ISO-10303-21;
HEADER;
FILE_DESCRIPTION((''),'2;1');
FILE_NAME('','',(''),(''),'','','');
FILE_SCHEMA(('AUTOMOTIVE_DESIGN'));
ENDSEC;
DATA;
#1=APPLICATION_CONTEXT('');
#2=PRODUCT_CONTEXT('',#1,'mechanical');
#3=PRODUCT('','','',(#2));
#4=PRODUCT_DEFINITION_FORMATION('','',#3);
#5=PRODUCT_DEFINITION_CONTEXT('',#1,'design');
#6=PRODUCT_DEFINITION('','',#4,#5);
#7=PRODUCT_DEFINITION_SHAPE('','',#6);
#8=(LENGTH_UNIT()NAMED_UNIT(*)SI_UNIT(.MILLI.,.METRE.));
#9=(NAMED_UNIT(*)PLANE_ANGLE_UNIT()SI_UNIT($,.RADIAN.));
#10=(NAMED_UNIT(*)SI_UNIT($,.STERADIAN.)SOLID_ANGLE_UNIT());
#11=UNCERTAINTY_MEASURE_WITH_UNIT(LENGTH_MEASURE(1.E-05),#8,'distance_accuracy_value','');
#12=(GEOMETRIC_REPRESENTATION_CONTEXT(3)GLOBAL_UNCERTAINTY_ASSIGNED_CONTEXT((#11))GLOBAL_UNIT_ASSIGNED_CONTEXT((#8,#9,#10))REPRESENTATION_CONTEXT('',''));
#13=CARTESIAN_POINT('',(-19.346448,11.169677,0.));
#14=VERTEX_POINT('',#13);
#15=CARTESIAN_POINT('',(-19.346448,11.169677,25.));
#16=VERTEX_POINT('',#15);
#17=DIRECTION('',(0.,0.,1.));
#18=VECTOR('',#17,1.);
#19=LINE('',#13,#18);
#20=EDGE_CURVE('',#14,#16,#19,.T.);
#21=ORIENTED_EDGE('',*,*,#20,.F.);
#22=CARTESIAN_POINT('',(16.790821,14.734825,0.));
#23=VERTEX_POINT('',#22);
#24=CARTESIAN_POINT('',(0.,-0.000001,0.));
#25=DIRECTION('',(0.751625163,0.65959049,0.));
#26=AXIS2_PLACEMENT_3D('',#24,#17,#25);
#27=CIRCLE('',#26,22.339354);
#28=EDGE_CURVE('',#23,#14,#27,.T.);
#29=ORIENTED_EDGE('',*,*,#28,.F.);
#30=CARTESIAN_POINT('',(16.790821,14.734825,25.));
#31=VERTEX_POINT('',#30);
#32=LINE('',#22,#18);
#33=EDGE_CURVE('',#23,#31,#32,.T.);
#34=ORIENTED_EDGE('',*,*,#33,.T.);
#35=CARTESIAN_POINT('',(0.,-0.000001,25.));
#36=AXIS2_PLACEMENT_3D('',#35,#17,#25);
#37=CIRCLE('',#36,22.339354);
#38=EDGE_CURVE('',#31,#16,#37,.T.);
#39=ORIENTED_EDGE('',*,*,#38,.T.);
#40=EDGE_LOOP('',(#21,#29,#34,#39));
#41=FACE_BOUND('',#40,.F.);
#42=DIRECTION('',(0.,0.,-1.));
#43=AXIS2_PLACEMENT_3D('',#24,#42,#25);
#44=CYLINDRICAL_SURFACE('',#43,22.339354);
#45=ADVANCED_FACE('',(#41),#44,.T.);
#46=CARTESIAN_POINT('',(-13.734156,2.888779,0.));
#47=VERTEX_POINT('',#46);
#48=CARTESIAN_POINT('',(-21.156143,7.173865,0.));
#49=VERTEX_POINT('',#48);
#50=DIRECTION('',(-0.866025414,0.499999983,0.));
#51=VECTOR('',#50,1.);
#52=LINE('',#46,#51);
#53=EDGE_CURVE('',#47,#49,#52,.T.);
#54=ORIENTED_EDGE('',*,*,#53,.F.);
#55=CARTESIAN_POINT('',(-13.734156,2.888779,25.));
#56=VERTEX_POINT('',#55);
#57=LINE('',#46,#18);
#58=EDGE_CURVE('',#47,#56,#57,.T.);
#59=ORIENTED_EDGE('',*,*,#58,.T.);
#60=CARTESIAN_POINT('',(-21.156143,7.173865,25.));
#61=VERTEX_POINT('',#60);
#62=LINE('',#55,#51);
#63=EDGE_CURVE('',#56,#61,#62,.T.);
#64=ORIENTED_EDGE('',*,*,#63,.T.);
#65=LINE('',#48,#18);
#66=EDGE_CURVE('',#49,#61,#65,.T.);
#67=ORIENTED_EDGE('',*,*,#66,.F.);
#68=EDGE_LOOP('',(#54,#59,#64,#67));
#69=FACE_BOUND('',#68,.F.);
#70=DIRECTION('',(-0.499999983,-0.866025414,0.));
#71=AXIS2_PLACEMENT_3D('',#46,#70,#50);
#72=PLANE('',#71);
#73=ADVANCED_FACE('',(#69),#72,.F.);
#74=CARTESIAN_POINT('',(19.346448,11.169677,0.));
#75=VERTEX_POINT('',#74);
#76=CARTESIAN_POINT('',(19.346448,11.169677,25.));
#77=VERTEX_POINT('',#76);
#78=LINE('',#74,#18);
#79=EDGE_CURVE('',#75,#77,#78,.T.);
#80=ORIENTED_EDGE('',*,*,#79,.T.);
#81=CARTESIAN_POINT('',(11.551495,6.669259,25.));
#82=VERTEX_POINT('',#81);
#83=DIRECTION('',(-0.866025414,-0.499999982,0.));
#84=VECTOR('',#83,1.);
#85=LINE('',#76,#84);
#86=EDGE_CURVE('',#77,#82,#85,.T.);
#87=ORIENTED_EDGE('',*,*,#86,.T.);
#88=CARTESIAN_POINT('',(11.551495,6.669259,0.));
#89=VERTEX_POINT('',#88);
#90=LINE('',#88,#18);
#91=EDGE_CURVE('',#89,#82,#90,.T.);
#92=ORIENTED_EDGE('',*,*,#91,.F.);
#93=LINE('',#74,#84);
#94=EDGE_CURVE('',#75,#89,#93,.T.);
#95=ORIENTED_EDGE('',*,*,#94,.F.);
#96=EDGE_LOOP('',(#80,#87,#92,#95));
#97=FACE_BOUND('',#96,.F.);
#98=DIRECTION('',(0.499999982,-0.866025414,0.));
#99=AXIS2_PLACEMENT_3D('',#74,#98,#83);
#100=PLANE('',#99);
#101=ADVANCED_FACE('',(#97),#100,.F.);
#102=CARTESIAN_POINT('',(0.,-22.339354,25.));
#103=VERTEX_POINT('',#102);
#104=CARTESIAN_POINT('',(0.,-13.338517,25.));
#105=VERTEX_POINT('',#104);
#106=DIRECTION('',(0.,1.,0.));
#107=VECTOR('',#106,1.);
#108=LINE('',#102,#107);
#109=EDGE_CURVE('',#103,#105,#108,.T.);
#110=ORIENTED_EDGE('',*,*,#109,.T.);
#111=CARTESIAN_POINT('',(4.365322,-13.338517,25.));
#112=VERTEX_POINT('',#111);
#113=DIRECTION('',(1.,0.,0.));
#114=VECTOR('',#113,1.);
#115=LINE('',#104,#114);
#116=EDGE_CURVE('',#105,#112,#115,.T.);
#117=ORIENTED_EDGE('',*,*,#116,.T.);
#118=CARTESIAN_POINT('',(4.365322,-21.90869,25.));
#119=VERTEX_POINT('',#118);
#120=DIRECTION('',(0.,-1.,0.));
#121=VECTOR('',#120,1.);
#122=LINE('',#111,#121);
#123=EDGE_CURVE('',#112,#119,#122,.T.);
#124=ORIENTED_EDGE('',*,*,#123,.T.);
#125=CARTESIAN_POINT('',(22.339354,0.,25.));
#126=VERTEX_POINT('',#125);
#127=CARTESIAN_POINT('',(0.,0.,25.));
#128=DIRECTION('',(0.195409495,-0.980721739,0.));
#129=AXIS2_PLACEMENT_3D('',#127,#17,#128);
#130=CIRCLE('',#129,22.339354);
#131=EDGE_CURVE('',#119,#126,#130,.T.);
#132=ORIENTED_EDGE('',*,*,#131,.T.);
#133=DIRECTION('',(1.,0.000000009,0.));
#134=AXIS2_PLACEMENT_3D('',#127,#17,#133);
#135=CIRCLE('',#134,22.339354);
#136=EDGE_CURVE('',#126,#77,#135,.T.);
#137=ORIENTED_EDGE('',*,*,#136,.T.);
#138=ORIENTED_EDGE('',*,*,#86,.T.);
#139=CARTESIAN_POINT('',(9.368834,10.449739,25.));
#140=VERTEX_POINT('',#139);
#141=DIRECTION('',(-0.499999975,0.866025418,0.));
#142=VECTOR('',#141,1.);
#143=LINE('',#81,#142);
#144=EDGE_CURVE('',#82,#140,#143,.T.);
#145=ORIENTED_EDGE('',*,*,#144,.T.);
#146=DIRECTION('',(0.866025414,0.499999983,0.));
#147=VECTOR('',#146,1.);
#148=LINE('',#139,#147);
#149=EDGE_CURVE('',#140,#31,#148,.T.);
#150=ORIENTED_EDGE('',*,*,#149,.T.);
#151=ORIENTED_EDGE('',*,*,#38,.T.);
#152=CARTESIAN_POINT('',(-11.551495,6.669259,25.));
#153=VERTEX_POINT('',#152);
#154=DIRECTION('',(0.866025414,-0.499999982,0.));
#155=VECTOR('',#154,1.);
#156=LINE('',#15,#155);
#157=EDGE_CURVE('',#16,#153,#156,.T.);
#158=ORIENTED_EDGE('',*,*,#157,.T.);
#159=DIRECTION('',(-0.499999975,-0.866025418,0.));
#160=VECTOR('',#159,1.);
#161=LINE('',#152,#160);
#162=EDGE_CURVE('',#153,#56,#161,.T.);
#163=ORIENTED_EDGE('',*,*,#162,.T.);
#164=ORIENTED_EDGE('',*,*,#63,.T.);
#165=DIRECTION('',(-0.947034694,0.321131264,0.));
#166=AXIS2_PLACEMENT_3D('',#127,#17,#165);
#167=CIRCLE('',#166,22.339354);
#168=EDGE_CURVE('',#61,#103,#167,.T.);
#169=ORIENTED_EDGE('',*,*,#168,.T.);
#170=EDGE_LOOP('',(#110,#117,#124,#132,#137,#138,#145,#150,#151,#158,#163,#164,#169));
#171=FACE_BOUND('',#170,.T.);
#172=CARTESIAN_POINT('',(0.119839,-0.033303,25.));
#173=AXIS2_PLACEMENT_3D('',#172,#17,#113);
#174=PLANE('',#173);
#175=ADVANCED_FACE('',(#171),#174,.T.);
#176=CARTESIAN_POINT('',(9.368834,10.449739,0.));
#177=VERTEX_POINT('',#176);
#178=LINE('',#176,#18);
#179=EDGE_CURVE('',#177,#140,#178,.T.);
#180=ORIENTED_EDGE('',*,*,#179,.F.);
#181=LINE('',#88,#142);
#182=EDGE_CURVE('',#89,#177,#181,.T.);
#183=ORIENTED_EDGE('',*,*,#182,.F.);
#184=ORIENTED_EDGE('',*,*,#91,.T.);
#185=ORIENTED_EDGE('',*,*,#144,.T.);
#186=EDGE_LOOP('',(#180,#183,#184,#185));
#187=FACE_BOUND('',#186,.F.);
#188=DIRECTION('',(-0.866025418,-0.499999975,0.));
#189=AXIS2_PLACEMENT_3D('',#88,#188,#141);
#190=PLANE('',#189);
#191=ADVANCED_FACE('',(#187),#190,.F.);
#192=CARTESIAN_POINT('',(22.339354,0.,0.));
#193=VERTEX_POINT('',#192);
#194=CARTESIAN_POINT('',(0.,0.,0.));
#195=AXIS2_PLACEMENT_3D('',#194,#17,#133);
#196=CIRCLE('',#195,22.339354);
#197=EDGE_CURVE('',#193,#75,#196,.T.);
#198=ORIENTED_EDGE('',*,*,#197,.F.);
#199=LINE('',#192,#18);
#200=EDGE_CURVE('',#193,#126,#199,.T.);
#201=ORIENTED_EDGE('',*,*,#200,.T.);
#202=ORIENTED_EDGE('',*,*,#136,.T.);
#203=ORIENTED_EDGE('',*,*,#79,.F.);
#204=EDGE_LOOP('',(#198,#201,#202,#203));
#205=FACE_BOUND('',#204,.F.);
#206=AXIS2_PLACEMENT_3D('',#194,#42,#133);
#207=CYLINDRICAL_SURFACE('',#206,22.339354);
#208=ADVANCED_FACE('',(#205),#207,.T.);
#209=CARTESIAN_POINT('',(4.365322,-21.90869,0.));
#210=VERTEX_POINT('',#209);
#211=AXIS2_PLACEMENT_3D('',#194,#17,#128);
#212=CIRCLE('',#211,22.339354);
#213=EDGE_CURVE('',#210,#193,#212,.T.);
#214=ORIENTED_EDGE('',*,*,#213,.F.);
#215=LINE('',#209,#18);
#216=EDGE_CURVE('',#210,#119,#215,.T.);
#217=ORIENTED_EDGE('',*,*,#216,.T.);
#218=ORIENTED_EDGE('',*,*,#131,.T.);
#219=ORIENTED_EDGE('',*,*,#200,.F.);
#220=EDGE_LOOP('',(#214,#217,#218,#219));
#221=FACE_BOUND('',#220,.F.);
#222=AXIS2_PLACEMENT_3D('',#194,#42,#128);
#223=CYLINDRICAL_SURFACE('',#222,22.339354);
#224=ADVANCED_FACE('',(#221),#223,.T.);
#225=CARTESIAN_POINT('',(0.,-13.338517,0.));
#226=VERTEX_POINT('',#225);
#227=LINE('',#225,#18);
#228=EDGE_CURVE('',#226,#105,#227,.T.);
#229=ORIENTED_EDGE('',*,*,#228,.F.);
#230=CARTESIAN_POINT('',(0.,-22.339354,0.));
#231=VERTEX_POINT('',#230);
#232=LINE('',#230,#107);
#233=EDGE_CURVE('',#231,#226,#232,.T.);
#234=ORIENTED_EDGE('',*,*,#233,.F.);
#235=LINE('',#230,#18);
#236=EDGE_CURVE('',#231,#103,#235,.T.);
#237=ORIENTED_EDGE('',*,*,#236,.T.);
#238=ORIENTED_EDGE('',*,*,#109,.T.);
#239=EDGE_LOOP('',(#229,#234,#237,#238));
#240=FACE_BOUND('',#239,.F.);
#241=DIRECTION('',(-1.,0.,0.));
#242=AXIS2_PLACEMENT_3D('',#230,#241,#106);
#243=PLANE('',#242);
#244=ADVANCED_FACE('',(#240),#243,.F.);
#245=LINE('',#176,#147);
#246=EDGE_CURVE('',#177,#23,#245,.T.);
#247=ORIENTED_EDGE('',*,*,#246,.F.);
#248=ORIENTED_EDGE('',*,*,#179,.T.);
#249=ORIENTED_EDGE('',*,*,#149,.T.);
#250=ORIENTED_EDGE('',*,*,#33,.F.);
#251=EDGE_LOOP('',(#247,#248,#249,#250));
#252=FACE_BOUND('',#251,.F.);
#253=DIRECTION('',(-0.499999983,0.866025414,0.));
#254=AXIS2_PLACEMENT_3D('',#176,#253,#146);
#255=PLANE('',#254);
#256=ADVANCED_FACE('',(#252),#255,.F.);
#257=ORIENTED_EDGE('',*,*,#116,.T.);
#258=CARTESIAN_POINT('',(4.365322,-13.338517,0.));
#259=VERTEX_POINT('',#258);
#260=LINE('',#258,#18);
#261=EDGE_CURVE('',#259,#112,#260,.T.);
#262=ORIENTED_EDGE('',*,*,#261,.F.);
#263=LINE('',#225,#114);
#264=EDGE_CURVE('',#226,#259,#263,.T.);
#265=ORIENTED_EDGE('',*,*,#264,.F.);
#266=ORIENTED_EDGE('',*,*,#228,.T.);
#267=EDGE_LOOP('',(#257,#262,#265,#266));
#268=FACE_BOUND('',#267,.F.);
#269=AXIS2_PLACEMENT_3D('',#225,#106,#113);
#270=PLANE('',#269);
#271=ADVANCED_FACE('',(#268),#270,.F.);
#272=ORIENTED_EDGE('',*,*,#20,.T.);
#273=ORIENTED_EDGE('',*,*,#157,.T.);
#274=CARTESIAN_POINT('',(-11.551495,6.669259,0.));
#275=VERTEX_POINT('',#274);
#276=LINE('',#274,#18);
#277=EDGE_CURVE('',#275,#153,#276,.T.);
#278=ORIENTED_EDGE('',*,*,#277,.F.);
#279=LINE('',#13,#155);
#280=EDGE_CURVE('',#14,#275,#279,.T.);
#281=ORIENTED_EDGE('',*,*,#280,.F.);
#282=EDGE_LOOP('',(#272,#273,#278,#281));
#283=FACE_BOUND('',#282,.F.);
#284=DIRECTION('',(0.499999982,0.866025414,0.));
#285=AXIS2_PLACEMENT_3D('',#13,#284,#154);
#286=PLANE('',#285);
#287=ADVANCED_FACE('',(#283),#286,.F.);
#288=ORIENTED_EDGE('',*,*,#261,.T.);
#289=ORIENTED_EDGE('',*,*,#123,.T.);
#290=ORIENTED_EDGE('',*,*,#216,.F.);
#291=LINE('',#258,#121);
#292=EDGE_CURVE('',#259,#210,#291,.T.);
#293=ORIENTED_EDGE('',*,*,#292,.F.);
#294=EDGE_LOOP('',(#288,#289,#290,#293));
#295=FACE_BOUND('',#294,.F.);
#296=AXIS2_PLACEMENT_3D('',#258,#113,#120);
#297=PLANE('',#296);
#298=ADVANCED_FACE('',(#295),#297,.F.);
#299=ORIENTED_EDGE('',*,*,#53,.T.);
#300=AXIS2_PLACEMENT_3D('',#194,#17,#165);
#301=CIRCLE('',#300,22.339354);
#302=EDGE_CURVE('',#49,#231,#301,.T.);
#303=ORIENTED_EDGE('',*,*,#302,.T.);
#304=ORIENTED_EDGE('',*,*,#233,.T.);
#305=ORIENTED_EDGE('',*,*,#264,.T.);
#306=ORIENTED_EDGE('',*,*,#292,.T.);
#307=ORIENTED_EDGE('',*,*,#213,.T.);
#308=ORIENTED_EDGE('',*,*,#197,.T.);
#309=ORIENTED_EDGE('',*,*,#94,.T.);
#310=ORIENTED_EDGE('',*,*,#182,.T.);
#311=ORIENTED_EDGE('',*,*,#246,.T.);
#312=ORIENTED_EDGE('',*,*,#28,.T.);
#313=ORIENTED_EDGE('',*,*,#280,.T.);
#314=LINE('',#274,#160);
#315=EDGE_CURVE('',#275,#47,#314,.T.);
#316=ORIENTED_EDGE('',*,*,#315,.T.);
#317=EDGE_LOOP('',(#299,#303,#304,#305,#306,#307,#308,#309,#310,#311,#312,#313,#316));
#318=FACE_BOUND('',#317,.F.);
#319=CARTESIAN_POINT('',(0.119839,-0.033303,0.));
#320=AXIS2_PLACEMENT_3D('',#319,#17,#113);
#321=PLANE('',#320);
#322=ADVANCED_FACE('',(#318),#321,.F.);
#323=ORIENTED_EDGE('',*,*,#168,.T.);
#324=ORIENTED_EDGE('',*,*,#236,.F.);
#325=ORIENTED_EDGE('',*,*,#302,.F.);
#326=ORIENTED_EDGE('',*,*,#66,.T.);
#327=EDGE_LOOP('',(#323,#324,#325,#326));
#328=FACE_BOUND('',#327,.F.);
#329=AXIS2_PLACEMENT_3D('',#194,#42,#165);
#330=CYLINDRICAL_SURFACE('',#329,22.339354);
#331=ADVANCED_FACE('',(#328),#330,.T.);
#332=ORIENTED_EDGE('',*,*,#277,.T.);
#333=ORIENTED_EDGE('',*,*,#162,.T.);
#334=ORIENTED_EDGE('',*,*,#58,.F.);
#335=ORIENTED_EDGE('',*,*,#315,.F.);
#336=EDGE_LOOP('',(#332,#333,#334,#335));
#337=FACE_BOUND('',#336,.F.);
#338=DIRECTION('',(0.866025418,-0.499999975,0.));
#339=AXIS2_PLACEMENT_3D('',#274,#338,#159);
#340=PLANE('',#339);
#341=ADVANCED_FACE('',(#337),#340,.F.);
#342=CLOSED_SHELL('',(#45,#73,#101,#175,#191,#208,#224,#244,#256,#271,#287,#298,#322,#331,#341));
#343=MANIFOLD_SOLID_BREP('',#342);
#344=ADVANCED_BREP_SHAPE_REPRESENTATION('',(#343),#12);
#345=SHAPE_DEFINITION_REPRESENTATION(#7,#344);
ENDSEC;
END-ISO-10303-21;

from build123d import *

# Parameters (mm, degrees)
F1_DEPTH = 25


with BuildPart() as f1:
    # F0 (on Top) → F1 (new body)
    with BuildSketch(Plane.XY):
        with BuildLine():
            ThreePointArc((4.365322, -21.90869), (17.27086, -14.169126), (22.339354, 0))
            ThreePointArc((22.339354, 0), (21.578159, 5.78185), (19.346448, 11.169677))
            Line((19.346448, 11.169677), (11.551495, 6.669259))
            Line((11.551495, 6.669259), (9.368834, 10.449739))
            Line((9.368834, 10.449739), (16.790821, 14.734825))
            ThreePointArc((16.790821, 14.734825), (-2.193257, 22.231427), (-19.346448, 11.169677))
            Line((-19.346448, 11.169677), (-11.551495, 6.669259))
            Line((-11.551495, 6.669259), (-13.734156, 2.888779))
            Line((-13.734156, 2.888779), (-21.156143, 7.173865))
            ThreePointArc((-21.156143, 7.173865), (-18.156352, -13.01513), (0, -22.339354))
            Line((0, -22.339354), (0, -13.338517))
            Line((0, -13.338517), (4.365322, -13.338517))
            Line((4.365322, -13.338517), (4.365322, -21.90869))
        make_face()
    extrude(amount=F1_DEPTH)


solid = f1.part
